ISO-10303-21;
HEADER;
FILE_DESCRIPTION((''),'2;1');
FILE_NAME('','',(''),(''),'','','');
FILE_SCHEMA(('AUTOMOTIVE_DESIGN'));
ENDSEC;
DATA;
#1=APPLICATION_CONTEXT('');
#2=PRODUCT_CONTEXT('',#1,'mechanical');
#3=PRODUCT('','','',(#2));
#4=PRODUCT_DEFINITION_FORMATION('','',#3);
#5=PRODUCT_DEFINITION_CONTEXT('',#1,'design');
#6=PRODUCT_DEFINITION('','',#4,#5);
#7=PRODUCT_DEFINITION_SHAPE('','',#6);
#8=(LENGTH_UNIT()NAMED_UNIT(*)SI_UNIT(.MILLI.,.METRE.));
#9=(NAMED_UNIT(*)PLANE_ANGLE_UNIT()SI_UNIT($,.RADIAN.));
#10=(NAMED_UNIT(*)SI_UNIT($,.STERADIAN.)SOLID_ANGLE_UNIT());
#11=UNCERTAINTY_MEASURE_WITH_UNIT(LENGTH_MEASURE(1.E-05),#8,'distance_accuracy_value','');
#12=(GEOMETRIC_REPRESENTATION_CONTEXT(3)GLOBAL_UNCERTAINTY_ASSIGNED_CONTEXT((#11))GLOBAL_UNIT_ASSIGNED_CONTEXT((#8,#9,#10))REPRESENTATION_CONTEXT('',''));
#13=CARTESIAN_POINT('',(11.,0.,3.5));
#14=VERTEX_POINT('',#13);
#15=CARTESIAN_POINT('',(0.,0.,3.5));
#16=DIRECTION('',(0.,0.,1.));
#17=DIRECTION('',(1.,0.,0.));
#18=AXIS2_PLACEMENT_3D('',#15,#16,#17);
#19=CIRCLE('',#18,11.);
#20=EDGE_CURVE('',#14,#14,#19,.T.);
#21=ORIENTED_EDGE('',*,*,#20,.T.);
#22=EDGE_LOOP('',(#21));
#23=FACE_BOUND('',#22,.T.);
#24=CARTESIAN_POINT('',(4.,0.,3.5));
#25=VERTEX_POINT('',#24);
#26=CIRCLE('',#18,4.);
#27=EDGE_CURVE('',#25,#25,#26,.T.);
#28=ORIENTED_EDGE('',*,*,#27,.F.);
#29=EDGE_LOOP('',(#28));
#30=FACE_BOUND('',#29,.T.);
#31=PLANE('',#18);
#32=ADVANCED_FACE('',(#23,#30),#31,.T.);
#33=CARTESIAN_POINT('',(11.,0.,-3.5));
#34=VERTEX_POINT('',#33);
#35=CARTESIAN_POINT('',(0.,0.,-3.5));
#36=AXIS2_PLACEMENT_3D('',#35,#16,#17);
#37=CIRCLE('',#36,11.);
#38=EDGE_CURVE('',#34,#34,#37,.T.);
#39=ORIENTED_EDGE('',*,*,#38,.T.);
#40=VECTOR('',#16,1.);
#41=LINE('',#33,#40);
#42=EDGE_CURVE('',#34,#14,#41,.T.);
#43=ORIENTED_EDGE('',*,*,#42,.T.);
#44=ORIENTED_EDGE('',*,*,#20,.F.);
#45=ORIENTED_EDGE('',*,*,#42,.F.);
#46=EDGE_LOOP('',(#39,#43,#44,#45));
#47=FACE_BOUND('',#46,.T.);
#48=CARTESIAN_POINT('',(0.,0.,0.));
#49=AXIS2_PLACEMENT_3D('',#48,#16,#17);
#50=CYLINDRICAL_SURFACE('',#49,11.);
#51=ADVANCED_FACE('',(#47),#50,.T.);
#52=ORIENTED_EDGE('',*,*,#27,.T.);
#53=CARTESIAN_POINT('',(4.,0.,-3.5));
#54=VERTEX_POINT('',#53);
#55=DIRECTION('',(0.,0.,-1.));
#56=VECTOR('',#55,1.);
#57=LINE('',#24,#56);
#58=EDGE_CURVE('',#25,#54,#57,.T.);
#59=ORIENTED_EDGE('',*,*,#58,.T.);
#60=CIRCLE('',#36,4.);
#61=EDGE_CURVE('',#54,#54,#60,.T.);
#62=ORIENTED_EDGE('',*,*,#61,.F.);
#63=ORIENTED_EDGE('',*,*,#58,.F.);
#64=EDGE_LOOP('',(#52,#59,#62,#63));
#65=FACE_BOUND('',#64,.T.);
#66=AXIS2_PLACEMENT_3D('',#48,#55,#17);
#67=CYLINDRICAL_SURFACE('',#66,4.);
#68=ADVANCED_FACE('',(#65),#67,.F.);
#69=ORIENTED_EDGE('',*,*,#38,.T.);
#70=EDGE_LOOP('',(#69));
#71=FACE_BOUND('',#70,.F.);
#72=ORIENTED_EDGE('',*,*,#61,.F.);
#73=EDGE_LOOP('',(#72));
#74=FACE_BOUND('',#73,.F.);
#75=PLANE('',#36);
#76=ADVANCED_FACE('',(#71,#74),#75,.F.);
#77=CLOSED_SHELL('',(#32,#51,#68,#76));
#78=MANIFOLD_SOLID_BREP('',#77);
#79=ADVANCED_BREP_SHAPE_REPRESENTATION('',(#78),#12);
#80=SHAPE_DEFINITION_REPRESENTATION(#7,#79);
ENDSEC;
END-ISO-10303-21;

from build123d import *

# Parameters (mm, degrees)
SKETCH1_R           = 11
SKETCH1_R_2         = 4
BOSS_EXTRUDE1_DEPTH = 3.5


with BuildPart() as part:
    # Sketch1 → Boss-Extrude1 (new, symmetric)
    with BuildSketch(Plane.XY):
        Circle(SKETCH1_R)
        Circle(SKETCH1_R_2, mode=Mode.SUBTRACT)
    extrude(amount=BOSS_EXTRUDE1_DEPTH, both=True)


solid = part.part
